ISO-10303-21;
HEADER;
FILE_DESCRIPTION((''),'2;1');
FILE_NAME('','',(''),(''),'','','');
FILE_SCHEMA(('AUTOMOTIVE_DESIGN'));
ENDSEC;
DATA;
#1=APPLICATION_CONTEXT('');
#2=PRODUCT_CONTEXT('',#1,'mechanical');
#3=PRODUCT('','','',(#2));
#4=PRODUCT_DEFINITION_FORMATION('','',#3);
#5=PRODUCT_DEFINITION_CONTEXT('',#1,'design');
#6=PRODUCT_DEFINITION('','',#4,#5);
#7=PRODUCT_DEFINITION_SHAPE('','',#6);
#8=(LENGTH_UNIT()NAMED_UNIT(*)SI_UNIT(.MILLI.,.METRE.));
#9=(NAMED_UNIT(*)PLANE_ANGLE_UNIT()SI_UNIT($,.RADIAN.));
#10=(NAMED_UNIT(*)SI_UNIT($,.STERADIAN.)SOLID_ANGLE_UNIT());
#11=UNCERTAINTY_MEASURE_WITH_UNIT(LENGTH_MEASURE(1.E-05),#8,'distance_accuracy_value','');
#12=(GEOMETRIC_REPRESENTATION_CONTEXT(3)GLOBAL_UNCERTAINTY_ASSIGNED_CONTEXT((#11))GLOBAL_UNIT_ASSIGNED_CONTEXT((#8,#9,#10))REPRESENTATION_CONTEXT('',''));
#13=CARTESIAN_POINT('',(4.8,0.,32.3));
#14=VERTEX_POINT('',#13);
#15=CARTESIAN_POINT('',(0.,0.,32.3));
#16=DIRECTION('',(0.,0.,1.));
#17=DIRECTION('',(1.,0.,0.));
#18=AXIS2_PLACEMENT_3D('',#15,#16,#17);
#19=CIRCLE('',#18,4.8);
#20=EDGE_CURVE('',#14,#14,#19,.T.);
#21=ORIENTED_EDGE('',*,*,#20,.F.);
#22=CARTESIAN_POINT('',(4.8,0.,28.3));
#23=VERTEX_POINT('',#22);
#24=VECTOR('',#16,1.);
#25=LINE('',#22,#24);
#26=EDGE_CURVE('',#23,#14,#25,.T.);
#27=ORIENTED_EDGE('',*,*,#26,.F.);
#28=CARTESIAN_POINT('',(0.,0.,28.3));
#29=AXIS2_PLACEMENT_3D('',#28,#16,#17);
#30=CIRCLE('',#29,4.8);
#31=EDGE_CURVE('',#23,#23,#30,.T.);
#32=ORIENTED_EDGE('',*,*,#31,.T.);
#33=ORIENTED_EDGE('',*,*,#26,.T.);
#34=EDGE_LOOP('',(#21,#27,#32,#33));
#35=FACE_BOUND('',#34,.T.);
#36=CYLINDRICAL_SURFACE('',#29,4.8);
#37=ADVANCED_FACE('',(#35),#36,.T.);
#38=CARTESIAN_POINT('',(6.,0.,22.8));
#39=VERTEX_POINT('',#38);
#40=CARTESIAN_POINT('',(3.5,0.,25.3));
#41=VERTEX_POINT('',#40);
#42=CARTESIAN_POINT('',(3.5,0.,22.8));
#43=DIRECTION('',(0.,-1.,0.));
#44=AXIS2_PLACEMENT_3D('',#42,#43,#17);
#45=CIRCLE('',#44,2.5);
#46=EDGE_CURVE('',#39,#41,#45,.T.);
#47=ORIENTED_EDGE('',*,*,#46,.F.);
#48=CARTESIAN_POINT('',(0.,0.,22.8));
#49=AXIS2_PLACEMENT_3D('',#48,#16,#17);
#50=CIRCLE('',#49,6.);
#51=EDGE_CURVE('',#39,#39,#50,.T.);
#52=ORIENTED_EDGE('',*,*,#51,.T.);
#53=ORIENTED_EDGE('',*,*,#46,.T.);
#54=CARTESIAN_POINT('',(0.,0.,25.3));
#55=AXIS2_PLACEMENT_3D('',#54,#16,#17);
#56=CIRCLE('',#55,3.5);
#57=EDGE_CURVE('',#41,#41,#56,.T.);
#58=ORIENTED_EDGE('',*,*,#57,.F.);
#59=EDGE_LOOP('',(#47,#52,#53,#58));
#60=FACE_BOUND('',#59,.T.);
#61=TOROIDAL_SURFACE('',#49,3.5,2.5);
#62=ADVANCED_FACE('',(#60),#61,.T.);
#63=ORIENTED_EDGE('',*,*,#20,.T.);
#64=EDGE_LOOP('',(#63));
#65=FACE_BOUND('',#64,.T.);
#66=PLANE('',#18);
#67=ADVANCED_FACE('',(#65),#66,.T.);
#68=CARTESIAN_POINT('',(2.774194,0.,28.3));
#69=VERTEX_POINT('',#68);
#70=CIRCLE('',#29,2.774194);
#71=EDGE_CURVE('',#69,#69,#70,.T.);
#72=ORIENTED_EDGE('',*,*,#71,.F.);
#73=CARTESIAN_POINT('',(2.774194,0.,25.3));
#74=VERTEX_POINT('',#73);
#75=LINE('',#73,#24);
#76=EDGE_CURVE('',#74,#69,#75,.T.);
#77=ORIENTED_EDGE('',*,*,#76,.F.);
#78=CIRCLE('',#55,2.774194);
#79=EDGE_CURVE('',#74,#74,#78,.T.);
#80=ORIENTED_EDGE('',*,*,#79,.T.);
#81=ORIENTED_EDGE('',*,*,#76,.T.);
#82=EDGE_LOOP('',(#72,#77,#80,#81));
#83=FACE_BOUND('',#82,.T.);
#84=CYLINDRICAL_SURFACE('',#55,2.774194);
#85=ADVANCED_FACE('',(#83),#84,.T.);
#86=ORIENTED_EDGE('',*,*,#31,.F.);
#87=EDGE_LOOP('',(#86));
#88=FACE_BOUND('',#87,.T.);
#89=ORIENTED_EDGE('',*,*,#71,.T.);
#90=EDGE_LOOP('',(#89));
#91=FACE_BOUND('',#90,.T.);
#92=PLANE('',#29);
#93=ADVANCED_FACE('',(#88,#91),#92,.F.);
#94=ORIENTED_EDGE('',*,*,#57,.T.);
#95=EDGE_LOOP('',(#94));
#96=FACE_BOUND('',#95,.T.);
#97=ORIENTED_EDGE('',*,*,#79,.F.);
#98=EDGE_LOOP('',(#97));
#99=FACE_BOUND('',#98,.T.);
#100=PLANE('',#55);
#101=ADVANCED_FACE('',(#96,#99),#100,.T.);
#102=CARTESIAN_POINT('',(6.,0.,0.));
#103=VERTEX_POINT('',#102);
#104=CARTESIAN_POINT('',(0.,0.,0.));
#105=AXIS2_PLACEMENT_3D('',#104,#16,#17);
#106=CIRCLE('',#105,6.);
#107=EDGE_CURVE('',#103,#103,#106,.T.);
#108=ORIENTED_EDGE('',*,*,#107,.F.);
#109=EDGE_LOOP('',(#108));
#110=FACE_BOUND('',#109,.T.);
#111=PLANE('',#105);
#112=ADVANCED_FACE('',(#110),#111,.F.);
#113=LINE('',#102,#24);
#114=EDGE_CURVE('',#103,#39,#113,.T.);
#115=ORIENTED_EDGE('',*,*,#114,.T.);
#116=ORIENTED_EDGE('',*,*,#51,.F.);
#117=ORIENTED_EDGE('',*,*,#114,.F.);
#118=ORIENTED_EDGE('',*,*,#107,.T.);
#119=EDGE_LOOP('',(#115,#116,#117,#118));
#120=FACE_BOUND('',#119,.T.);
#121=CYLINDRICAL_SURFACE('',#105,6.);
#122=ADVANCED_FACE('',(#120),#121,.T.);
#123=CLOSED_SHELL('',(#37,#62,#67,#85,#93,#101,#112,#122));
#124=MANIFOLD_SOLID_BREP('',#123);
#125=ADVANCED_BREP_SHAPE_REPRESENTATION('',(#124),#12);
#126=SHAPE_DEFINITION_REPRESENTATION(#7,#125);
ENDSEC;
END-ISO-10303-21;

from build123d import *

# Parameters (mm, degrees)
F2_R = 2.5


with BuildPart() as f1:
    # F0 (on Front) → F1 (revolve)
    with BuildSketch(Plane.XZ):
        Polygon((0, 32.3), (0, 0), (6, 0), (6, 25.3), (2.774194, 25.3), (2.774194, 28.3), (4.8, 28.3), (4.8, 32.3), align=None)
    revolve(axis=Axis((0, 0, 20.56456), (0, 0, 1)))

    # F2
    f2_edges = [f1.edges().sort_by_distance(p)[0] for p in [
        (-6, 0, 25.3),
    ]]
    fillet(f2_edges, radius=F2_R)


solid = f1.part
